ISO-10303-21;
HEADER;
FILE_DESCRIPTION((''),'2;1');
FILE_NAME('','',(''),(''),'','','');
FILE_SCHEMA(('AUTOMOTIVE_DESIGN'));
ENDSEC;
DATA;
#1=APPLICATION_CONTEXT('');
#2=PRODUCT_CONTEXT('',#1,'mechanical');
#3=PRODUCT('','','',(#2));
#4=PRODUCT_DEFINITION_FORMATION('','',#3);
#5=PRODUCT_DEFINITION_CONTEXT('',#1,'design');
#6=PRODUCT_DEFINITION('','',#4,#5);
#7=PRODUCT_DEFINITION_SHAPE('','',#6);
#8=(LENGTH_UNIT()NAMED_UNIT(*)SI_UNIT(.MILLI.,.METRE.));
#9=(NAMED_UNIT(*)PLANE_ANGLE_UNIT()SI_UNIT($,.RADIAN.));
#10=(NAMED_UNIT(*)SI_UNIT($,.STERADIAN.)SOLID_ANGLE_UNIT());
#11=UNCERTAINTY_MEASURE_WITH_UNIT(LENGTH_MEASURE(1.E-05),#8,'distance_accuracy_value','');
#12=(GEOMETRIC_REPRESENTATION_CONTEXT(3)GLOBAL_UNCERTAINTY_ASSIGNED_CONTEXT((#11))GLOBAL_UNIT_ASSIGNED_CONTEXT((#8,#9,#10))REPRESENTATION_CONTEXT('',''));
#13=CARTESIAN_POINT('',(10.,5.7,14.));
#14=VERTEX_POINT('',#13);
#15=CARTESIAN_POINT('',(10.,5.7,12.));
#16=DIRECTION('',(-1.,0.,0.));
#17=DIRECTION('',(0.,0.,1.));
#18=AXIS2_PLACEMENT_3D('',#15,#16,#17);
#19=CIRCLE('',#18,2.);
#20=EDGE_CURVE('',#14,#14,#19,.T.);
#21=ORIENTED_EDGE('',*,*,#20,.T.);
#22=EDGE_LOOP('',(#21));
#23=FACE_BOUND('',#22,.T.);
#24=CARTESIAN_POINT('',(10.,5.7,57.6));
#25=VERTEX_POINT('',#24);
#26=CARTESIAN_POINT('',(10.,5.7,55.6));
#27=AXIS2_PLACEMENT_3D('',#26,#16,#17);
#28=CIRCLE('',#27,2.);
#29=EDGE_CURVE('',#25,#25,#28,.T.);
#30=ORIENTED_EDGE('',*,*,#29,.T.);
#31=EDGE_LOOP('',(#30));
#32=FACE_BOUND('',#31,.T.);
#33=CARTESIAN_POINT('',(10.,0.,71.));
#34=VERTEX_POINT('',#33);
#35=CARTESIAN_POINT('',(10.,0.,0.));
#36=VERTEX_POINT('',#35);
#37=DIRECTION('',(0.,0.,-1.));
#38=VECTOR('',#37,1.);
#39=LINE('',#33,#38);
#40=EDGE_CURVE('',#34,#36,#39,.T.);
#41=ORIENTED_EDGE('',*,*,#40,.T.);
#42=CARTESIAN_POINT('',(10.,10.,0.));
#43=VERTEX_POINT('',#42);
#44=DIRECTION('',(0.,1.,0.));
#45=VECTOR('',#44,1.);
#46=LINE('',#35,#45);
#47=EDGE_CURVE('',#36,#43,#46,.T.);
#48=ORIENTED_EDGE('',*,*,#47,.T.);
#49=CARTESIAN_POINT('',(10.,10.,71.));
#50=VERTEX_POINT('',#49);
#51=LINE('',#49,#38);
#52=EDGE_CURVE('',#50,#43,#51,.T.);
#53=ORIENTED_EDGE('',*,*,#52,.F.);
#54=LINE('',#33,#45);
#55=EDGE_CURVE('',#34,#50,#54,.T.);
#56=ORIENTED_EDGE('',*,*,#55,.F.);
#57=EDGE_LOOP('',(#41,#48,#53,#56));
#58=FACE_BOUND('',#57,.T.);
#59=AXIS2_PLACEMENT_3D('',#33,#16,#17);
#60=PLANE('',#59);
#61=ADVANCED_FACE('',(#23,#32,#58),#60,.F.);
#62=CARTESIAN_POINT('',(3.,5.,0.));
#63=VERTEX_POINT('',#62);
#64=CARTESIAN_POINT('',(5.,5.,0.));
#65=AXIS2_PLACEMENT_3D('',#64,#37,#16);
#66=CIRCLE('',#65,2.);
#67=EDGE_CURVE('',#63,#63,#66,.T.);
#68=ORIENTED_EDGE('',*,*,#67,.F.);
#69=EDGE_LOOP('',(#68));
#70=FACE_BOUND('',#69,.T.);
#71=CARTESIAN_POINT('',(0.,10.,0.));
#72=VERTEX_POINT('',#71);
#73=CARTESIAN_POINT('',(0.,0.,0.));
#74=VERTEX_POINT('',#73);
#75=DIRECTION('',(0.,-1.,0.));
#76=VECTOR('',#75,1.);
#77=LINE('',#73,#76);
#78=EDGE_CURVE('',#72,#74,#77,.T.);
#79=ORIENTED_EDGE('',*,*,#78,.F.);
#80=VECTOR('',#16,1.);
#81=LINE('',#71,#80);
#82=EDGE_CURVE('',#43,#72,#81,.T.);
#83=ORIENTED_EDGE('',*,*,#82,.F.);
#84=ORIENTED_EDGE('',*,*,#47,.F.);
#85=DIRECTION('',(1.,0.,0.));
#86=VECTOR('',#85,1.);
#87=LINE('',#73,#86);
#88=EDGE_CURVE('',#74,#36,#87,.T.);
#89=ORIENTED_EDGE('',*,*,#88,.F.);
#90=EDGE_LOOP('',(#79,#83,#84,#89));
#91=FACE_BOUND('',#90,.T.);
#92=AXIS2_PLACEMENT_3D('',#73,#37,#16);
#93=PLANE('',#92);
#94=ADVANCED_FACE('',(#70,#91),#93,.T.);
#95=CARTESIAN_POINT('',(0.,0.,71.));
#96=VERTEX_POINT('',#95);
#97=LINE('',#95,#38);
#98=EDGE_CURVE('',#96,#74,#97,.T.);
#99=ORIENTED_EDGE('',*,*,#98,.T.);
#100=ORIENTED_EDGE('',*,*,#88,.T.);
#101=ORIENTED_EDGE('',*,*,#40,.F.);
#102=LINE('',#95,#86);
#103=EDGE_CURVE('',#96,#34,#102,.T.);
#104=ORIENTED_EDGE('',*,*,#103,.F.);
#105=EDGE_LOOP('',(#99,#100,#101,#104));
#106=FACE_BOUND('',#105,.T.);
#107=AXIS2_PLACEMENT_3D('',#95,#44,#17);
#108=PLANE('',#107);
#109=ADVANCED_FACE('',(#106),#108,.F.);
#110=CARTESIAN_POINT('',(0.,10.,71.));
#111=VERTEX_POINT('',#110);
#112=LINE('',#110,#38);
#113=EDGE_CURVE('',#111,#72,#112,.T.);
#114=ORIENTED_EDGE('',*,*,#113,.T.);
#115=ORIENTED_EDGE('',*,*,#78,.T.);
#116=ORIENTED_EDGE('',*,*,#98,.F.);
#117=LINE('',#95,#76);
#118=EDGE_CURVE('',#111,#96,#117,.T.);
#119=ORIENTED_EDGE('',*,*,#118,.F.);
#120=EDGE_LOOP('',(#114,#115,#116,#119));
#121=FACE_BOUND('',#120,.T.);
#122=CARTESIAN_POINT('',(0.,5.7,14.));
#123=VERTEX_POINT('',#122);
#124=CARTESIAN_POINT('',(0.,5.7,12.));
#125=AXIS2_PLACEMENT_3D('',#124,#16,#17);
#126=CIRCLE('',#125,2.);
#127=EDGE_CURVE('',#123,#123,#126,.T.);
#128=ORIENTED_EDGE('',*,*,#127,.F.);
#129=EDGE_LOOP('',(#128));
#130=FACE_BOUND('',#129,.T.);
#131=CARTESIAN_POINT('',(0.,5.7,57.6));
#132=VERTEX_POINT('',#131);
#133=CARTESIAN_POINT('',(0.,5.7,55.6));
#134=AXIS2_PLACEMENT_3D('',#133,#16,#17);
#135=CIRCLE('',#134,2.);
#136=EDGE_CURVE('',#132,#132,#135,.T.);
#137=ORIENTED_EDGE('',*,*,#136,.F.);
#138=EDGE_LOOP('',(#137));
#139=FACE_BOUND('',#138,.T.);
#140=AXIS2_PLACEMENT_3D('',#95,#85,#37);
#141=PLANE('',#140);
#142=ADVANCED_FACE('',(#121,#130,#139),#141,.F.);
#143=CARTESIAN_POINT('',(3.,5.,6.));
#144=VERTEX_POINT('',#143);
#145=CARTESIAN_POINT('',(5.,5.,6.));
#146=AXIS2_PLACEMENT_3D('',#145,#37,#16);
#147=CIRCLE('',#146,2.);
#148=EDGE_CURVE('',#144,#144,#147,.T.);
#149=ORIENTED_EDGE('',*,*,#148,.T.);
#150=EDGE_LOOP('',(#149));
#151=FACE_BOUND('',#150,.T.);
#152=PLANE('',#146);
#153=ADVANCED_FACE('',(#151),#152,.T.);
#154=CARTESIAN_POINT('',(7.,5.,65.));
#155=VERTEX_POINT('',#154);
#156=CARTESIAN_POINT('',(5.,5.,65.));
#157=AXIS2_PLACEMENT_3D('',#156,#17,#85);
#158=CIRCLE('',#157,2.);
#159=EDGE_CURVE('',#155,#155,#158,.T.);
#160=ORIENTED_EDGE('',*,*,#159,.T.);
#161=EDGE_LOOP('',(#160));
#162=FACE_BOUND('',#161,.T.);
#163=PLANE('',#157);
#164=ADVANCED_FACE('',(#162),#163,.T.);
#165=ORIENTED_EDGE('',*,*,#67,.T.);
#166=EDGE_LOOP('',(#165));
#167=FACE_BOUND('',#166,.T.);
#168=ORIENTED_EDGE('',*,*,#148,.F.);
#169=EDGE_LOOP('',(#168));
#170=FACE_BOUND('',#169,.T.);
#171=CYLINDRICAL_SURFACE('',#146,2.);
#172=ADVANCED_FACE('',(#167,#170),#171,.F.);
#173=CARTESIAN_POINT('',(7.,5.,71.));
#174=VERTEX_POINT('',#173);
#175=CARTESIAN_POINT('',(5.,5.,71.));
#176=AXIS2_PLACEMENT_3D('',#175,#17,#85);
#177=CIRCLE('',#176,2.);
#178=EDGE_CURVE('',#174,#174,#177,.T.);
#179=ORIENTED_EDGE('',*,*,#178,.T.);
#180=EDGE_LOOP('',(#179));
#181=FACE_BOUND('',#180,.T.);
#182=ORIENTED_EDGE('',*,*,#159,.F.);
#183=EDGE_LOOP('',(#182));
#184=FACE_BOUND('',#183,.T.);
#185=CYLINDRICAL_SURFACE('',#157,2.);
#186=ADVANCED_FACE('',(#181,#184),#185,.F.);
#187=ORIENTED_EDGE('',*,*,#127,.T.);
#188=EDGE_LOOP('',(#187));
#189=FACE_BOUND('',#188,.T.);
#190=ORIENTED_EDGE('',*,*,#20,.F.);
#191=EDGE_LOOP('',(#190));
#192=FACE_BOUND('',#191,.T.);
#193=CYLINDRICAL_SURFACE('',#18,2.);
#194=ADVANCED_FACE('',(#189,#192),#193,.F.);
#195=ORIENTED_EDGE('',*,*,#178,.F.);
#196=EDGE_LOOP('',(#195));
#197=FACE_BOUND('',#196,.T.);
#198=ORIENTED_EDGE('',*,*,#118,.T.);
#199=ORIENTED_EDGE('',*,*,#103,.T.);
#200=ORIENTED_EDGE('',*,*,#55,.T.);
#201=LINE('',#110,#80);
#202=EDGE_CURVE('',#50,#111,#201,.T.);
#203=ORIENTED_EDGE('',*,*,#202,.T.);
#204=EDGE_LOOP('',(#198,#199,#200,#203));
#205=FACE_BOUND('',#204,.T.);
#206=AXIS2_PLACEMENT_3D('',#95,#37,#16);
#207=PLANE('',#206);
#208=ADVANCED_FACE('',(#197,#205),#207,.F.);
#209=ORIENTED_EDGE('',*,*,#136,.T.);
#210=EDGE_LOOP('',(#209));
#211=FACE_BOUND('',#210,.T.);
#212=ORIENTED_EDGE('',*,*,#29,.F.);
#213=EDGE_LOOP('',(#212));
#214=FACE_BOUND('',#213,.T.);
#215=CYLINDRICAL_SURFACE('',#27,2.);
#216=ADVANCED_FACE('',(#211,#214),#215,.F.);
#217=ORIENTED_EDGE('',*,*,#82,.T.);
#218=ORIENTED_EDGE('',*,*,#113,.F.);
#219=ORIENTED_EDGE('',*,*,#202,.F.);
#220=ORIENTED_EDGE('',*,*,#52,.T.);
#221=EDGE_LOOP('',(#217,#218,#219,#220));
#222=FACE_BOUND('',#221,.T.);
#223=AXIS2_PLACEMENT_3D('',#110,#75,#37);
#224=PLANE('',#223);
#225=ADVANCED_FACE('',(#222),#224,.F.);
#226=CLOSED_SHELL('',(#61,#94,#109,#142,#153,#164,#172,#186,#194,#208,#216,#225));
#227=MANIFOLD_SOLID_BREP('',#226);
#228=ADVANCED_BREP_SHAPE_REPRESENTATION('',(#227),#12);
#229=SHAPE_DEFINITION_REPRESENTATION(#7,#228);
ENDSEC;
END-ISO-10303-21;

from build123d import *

# Parameters (mm, degrees)
ESQUISSE1_W             = 10
ESQUISSE1_H             = 10
BOSS_EXTRU_1_DEPTH      = 71
ESQUISSE2_R             = 2
ENL_V_MAT_EXTRU_1_DEPTH = 73.394751191
ESQUISSE3_R             = 2
ENL_V_MAT_EXTRU_2_DEPTH = 6
ENL_V_START             = -6
ESQUISSE4_R             = 2
ENL_V_MAT_EXTRU_3_DEPTH = 6


with BuildPart() as part:
    # Esquisse1 → Boss.-Extru.1 (new body)
    with BuildSketch(Plane.XY):
        with Locations((5, 5)):
            Rectangle(ESQUISSE1_W, ESQUISSE1_H)
    extrude(amount=BOSS_EXTRU_1_DEPTH)

    # Esquisse2 → Enlèv. mat.-Extru.1 (cut, through all)
    with BuildSketch(Plane.ZY):
        with Locations((12, 5.7)):
            Circle(ESQUISSE2_R)
        with Locations((55.6, 5.7)):
            Circle(ESQUISSE2_R)
    extrude(amount=-ENL_V_MAT_EXTRU_1_DEPTH, mode=Mode.SUBTRACT)

    # Esquisse3 → Enlèv. mat.-Extru.2 (cut)
    with BuildSketch(Plane(origin=(0, 0, 0), x_dir=(-1, 0, 0), z_dir=(0, 0, -1))):
        with Locations((-5, 5)):
            Circle(ESQUISSE3_R)
    extrude(amount=-ENL_V_MAT_EXTRU_2_DEPTH, mode=Mode.SUBTRACT)

    # Esquisse4 → Enlèv. mat.-Extru.3 (cut)
    with BuildSketch(Plane.XY.offset(71).offset(ENL_V_START)):
        with Locations(Location((5, 5, 0), (0, 0, 180))):
            Circle(ESQUISSE4_R)
    extrude(amount=ENL_V_MAT_EXTRU_3_DEPTH, mode=Mode.SUBTRACT)


solid = part.part
